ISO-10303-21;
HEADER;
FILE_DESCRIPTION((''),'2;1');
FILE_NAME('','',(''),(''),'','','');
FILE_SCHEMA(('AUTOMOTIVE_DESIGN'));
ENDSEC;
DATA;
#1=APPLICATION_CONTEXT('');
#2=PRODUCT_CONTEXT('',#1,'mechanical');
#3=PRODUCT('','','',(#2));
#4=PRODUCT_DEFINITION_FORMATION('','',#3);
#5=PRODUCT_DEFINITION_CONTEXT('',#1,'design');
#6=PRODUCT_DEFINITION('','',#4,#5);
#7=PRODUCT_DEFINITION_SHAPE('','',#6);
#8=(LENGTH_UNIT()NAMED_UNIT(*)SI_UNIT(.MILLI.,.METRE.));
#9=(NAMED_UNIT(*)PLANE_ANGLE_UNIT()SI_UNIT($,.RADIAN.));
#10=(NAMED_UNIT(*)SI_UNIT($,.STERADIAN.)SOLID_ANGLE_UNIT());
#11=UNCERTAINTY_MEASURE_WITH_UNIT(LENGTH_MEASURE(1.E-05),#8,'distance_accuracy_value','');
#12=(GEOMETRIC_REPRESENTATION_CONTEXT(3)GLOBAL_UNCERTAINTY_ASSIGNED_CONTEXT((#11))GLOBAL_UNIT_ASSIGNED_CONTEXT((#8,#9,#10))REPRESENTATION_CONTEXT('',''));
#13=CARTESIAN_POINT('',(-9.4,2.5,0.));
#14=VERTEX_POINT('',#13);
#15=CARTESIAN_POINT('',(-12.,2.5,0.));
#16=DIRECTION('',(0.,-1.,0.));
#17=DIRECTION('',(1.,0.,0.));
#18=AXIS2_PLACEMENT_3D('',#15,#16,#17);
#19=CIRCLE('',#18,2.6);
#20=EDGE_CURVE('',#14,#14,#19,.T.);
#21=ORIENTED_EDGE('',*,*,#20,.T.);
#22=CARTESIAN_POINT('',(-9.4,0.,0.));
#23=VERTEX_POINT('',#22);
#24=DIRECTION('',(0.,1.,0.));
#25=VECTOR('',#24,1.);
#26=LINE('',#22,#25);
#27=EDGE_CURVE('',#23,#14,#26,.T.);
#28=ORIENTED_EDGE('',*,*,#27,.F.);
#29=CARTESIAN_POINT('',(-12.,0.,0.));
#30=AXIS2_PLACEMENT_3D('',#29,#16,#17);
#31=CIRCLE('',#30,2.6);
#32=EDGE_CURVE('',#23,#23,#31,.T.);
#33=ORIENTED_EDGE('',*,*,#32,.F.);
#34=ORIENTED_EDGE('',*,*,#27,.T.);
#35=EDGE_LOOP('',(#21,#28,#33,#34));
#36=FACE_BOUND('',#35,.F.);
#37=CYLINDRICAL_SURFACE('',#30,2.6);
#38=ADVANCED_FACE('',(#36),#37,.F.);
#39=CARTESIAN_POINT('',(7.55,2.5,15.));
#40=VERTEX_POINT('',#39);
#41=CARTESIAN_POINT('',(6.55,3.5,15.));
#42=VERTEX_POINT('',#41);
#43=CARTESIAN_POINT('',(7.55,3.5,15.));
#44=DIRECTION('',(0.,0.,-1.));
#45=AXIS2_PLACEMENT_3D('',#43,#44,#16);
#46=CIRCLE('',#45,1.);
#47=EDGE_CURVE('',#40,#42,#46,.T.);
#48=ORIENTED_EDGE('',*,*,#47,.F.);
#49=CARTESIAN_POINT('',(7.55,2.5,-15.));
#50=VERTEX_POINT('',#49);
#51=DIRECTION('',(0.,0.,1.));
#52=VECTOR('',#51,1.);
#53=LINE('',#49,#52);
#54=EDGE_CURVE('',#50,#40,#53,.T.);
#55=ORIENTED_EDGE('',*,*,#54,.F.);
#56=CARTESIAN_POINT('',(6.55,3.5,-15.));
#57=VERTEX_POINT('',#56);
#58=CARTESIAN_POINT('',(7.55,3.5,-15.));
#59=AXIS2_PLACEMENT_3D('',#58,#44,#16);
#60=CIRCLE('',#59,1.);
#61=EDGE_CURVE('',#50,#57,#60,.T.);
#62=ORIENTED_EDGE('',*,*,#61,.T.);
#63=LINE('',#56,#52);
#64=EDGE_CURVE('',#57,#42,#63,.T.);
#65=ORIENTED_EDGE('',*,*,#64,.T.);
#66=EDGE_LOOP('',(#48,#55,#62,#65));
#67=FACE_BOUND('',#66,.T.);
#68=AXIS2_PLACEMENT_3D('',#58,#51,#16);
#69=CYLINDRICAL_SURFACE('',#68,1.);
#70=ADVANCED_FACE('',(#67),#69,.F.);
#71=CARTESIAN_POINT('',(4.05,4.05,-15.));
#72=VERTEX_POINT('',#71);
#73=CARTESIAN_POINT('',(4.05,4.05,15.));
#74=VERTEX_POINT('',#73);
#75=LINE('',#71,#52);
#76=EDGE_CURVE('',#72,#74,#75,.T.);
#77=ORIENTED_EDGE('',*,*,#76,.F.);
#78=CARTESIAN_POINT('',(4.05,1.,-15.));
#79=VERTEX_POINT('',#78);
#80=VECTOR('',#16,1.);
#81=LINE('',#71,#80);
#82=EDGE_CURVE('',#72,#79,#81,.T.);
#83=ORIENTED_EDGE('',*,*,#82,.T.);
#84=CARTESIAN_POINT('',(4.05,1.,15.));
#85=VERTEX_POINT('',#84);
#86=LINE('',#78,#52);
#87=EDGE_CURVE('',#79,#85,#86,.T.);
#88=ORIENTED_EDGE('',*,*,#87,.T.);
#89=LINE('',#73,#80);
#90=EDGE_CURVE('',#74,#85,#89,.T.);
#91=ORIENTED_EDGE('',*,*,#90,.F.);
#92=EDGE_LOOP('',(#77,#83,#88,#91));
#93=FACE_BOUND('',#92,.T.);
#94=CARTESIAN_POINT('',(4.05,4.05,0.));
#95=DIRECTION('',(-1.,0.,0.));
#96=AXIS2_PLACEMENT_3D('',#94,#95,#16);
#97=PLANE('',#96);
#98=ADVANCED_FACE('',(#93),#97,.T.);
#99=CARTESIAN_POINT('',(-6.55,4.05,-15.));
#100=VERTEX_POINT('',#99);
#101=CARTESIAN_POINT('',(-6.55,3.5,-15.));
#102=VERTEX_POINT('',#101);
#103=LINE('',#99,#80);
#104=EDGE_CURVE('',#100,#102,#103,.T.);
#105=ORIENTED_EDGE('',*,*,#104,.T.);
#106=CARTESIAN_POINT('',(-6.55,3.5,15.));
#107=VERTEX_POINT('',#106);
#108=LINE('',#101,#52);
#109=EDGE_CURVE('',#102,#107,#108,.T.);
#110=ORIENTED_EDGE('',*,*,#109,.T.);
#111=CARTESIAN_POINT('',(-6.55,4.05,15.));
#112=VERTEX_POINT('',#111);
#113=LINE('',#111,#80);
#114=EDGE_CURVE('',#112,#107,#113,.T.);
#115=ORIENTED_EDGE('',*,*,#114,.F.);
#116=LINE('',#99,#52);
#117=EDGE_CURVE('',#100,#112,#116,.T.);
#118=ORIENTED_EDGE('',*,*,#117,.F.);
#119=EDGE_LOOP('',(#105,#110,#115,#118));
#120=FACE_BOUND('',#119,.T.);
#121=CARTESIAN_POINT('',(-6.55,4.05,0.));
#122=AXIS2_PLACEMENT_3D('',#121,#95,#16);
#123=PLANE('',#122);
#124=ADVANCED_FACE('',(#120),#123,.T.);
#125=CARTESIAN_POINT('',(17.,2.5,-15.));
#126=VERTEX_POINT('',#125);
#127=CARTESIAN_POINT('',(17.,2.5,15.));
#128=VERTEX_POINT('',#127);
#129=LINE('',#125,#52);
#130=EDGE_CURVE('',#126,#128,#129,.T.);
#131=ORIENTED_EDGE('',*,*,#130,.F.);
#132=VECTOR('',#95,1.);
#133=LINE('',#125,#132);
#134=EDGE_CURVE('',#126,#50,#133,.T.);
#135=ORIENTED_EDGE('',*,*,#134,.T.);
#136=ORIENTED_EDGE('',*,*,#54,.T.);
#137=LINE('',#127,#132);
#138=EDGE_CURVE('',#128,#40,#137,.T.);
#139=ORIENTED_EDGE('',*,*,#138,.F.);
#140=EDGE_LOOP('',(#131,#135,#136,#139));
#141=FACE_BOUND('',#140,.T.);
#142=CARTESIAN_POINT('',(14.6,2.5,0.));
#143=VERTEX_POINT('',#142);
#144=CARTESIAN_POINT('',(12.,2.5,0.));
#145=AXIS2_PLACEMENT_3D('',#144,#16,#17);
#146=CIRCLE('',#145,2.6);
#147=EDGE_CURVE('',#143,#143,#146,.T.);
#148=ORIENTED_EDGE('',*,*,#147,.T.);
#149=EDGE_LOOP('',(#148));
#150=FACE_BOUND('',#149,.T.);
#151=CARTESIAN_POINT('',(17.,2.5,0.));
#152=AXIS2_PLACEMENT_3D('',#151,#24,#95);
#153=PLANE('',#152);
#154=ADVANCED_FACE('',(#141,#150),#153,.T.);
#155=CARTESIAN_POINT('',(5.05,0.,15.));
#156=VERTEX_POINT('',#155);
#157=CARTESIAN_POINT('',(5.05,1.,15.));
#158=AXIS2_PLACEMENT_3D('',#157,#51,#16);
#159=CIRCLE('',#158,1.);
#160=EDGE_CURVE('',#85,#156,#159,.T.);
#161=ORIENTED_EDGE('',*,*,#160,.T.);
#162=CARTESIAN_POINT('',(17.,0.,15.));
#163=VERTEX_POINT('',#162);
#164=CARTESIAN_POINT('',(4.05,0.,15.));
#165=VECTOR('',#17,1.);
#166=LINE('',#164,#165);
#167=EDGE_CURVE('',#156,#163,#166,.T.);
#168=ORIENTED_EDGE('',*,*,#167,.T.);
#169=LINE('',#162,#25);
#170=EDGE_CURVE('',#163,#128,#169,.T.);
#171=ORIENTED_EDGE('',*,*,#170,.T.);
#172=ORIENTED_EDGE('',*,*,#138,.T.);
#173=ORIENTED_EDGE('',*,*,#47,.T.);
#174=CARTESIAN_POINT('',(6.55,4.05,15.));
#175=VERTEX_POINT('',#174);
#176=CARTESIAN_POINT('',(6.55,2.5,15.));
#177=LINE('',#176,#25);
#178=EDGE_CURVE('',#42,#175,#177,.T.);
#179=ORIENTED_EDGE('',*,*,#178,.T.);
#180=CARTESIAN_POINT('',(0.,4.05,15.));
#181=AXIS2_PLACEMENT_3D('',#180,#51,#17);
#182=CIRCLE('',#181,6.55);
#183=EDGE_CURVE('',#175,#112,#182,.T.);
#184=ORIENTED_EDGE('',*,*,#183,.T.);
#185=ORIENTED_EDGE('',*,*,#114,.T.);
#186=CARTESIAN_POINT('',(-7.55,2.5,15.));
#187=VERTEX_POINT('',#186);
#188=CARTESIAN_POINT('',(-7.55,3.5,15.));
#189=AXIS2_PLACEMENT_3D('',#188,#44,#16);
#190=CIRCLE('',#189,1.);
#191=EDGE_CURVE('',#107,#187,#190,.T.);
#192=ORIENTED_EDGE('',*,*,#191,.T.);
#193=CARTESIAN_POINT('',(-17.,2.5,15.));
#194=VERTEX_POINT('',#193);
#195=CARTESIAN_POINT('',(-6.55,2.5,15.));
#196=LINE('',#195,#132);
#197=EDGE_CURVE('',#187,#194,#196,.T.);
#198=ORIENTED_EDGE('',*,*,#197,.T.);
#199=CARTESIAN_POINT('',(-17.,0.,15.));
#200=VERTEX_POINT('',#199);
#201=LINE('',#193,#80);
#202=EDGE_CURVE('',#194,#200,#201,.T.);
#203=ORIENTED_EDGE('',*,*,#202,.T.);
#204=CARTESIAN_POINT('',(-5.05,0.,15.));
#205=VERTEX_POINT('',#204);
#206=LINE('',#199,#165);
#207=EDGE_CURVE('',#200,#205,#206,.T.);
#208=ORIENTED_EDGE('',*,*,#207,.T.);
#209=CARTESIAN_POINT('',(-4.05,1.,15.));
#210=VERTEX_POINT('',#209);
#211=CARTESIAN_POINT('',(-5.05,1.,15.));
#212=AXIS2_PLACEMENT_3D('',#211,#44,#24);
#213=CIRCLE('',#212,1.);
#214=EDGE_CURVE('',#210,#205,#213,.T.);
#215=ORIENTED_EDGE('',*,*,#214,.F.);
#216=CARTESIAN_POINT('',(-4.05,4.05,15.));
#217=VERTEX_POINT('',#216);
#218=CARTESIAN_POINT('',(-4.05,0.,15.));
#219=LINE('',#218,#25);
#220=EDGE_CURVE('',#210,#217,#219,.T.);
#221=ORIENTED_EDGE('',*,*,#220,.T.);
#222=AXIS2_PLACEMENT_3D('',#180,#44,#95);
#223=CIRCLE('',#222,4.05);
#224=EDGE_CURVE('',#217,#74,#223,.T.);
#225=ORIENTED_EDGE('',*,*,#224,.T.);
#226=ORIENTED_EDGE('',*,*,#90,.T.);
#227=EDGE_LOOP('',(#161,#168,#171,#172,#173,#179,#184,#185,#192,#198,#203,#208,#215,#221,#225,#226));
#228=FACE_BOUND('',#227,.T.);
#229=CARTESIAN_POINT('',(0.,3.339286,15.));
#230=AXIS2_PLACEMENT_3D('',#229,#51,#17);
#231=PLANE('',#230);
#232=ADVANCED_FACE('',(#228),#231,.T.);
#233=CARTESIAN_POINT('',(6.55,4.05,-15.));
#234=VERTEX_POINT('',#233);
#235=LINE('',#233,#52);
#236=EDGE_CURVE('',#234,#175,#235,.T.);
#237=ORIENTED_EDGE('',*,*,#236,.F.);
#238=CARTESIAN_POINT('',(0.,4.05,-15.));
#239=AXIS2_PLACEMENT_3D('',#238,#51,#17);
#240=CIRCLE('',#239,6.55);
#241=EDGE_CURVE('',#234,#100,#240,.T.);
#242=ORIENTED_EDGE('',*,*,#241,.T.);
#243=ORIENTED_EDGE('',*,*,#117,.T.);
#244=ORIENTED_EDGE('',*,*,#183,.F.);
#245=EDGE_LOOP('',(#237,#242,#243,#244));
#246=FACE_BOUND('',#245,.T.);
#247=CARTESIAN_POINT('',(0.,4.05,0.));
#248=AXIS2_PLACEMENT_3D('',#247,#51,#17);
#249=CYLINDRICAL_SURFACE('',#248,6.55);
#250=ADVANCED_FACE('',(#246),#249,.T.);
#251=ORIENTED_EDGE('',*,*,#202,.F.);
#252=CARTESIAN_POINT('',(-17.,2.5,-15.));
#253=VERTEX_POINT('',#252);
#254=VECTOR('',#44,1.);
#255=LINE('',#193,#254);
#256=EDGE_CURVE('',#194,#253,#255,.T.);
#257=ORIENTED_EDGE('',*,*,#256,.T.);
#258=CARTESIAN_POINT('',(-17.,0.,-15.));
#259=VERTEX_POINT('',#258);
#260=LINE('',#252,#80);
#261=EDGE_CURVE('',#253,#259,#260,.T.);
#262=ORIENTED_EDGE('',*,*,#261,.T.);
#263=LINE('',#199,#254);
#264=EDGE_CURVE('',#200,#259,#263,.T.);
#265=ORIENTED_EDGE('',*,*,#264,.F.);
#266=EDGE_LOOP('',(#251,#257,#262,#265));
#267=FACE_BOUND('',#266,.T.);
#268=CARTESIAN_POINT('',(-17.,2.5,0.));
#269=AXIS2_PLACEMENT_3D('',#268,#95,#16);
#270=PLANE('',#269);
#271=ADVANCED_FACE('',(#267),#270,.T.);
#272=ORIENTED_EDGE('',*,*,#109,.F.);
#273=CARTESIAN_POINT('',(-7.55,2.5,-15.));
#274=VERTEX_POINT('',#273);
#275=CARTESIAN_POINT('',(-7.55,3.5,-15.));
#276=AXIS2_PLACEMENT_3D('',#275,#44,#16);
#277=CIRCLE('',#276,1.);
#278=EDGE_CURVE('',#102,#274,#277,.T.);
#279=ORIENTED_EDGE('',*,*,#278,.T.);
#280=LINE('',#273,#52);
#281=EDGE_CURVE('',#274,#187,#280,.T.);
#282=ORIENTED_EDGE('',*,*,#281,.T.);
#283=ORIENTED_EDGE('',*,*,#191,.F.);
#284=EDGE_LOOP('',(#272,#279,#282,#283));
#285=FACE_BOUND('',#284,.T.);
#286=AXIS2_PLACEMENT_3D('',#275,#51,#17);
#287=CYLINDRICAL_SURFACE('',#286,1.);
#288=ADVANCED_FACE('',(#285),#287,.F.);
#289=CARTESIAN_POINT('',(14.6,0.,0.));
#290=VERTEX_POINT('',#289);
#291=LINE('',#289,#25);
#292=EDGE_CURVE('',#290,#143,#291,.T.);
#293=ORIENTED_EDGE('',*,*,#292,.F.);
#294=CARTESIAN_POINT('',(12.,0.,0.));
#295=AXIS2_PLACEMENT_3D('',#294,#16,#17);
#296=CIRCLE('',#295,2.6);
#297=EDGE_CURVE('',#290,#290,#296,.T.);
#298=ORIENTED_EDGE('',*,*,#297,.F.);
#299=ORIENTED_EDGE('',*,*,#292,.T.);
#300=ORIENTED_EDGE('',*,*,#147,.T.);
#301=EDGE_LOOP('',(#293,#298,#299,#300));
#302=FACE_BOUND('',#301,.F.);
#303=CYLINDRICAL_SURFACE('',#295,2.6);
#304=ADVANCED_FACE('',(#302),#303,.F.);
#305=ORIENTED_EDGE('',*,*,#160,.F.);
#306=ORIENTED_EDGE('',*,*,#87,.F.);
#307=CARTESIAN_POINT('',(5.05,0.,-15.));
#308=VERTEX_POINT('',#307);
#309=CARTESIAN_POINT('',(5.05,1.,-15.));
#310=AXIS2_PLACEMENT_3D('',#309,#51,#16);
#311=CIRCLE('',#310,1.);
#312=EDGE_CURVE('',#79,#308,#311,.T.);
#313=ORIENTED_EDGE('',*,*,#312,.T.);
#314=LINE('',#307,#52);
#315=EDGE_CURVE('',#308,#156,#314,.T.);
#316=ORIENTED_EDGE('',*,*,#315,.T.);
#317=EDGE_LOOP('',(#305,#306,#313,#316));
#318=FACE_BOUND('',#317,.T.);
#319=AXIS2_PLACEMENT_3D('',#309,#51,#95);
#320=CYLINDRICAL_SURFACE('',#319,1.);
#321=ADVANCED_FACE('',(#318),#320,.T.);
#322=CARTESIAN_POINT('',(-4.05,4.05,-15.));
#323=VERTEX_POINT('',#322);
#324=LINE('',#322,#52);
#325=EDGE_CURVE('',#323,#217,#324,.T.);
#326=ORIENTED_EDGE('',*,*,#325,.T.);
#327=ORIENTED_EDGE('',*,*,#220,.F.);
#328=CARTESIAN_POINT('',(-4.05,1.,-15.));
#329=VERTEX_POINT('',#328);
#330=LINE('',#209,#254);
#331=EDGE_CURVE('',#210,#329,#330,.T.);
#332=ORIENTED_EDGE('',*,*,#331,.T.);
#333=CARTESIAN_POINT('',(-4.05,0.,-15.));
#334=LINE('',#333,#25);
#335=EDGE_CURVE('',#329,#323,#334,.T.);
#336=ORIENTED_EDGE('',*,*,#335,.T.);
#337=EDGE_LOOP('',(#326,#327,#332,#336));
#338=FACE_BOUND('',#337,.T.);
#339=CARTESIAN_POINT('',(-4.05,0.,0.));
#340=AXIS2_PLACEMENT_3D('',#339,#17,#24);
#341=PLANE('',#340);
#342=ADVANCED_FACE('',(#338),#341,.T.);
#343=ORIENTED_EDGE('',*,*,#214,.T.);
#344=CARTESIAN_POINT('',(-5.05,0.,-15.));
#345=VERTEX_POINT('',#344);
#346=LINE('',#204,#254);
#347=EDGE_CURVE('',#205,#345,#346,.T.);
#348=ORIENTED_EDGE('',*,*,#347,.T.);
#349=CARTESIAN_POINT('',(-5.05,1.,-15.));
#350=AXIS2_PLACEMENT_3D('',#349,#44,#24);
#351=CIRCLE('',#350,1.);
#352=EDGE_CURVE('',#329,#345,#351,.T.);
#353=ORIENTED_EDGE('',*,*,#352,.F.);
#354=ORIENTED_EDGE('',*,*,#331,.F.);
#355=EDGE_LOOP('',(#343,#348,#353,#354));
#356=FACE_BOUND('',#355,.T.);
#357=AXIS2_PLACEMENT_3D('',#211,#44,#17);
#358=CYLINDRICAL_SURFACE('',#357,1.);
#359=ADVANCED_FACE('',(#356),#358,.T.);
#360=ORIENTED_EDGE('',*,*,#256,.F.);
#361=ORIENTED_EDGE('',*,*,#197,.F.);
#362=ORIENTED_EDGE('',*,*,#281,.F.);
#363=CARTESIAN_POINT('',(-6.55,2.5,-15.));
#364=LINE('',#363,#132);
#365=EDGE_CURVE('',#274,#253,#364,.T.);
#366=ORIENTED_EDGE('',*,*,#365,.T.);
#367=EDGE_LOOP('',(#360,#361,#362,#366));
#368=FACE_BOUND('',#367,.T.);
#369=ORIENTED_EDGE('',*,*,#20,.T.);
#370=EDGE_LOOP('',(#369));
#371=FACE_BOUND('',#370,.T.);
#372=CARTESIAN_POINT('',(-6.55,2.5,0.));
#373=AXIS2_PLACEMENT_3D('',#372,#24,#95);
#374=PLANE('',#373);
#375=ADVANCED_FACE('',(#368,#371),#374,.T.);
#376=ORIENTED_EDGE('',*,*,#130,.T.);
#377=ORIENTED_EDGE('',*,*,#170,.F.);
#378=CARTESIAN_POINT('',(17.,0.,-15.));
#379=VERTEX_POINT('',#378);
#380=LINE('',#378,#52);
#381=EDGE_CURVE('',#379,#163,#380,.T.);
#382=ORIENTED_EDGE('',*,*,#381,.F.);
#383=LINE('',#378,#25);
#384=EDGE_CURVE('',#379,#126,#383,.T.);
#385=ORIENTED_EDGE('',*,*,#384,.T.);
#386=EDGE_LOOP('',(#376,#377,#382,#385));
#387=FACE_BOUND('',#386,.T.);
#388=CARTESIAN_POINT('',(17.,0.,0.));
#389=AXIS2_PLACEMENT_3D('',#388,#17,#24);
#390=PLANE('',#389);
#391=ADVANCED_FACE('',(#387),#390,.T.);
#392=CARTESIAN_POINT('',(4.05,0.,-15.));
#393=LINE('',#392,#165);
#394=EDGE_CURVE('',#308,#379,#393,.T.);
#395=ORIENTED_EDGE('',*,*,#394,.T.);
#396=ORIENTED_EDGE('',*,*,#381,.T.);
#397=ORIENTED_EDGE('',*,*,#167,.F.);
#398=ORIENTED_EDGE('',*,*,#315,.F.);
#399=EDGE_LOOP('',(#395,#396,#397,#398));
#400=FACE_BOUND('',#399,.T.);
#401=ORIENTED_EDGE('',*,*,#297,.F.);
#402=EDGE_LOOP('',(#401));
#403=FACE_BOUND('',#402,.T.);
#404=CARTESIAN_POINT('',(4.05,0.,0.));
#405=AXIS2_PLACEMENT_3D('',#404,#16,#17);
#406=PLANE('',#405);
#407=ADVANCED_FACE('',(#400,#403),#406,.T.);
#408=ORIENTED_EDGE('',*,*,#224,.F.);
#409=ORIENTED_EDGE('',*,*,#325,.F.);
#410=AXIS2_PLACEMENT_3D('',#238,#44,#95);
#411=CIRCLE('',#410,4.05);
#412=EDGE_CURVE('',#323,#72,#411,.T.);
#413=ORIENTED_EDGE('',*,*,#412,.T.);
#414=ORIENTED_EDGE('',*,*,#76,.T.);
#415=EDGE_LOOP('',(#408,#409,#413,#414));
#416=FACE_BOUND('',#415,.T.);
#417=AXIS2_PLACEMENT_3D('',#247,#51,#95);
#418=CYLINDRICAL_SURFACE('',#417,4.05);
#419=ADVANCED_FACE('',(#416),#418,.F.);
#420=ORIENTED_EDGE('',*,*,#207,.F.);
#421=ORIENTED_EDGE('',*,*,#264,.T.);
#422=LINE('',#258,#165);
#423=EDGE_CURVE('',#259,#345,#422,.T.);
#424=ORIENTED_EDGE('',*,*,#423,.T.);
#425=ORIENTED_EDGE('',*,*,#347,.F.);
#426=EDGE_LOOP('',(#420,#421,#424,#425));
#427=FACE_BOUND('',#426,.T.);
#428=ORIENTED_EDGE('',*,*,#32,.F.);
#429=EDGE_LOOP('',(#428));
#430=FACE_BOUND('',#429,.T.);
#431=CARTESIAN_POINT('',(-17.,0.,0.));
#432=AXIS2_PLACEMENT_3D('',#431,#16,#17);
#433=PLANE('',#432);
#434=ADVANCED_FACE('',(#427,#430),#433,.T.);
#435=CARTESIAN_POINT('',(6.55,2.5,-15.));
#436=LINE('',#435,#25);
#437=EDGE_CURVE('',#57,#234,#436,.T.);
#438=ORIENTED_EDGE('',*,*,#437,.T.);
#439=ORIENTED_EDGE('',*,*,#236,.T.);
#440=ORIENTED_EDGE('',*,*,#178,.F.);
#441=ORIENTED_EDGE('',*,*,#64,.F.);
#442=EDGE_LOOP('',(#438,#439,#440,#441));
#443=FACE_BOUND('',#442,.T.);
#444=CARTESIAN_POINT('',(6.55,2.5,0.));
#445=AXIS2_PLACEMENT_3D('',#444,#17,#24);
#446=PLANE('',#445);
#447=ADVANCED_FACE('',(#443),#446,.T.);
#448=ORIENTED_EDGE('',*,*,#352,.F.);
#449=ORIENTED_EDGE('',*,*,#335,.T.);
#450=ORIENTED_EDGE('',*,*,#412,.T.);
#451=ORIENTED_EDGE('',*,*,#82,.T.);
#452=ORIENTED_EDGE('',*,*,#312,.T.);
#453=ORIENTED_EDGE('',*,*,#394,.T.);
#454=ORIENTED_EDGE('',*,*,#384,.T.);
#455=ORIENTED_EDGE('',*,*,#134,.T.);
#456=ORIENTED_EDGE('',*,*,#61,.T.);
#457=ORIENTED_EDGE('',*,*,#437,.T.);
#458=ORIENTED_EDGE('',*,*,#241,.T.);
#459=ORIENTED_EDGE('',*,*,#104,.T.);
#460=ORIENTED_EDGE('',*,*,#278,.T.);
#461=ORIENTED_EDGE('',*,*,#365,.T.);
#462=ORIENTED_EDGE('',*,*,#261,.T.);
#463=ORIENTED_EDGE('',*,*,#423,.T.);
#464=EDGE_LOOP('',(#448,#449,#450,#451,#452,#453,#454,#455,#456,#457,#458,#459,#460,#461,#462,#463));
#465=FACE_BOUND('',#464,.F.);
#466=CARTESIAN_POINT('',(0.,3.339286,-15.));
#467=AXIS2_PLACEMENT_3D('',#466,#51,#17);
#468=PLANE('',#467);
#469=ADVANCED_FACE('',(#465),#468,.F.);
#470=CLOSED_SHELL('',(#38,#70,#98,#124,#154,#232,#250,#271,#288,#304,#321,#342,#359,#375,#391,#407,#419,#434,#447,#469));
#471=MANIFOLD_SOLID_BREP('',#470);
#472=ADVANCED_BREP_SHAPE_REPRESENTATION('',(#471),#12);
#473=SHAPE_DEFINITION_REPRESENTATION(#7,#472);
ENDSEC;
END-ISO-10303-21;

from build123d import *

# Parameters (mm, degrees)
F1_DEPTH = 15
F2_R     = 2.6
F3_DEPTH = 10.601
F4_R     = 1


with BuildPart() as f1:
    # F0 (on Top) → F1 (new body, symmetric)
    with BuildSketch(Plane.XY):
        with BuildLine():
            Line((-4.05, 0), (-4.05, 4.05))
            ThreePointArc((-4.05, 4.05), (0, 8.1), (4.05, 4.05))
            Line((4.05, 4.05), (4.05, 0))
            Line((4.05, 0), (17, 0))
            Line((17, 0), (17, 2.5))
            Line((17, 2.5), (6.55, 2.5))
            Line((6.55, 2.5), (6.55, 4.05))
            ThreePointArc((6.55, 4.05), (0, 10.6), (-6.55, 4.05))
            Line((-6.55, 4.05), (-6.55, 2.5))
            Line((-6.55, 2.5), (-17, 2.5))
            Line((-17, 2.5), (-17, 0))
            Line((-17, 0), (-4.05, 0))
        make_face()
    extrude(amount=F1_DEPTH, both=True)

    # F2 (on face) → F3 (cut, through all)
    with BuildSketch(Plane.XZ):
        with Locations((-12, 0)):
            Circle(F2_R)
        with Locations((12, 0)):
            Circle(F2_R)
    extrude(amount=-F3_DEPTH, mode=Mode.SUBTRACT)

    # F4
    f4_edges = [f1.edges().sort_by_distance(p)[0] for p in [
        (-4.05, 0, 0),
        (4.05, 0, 0),
        (6.55, 2.5, 0),
        (-6.55, 2.5, 0),
    ]]
    fillet(f4_edges, radius=F4_R)


solid = f1.part
